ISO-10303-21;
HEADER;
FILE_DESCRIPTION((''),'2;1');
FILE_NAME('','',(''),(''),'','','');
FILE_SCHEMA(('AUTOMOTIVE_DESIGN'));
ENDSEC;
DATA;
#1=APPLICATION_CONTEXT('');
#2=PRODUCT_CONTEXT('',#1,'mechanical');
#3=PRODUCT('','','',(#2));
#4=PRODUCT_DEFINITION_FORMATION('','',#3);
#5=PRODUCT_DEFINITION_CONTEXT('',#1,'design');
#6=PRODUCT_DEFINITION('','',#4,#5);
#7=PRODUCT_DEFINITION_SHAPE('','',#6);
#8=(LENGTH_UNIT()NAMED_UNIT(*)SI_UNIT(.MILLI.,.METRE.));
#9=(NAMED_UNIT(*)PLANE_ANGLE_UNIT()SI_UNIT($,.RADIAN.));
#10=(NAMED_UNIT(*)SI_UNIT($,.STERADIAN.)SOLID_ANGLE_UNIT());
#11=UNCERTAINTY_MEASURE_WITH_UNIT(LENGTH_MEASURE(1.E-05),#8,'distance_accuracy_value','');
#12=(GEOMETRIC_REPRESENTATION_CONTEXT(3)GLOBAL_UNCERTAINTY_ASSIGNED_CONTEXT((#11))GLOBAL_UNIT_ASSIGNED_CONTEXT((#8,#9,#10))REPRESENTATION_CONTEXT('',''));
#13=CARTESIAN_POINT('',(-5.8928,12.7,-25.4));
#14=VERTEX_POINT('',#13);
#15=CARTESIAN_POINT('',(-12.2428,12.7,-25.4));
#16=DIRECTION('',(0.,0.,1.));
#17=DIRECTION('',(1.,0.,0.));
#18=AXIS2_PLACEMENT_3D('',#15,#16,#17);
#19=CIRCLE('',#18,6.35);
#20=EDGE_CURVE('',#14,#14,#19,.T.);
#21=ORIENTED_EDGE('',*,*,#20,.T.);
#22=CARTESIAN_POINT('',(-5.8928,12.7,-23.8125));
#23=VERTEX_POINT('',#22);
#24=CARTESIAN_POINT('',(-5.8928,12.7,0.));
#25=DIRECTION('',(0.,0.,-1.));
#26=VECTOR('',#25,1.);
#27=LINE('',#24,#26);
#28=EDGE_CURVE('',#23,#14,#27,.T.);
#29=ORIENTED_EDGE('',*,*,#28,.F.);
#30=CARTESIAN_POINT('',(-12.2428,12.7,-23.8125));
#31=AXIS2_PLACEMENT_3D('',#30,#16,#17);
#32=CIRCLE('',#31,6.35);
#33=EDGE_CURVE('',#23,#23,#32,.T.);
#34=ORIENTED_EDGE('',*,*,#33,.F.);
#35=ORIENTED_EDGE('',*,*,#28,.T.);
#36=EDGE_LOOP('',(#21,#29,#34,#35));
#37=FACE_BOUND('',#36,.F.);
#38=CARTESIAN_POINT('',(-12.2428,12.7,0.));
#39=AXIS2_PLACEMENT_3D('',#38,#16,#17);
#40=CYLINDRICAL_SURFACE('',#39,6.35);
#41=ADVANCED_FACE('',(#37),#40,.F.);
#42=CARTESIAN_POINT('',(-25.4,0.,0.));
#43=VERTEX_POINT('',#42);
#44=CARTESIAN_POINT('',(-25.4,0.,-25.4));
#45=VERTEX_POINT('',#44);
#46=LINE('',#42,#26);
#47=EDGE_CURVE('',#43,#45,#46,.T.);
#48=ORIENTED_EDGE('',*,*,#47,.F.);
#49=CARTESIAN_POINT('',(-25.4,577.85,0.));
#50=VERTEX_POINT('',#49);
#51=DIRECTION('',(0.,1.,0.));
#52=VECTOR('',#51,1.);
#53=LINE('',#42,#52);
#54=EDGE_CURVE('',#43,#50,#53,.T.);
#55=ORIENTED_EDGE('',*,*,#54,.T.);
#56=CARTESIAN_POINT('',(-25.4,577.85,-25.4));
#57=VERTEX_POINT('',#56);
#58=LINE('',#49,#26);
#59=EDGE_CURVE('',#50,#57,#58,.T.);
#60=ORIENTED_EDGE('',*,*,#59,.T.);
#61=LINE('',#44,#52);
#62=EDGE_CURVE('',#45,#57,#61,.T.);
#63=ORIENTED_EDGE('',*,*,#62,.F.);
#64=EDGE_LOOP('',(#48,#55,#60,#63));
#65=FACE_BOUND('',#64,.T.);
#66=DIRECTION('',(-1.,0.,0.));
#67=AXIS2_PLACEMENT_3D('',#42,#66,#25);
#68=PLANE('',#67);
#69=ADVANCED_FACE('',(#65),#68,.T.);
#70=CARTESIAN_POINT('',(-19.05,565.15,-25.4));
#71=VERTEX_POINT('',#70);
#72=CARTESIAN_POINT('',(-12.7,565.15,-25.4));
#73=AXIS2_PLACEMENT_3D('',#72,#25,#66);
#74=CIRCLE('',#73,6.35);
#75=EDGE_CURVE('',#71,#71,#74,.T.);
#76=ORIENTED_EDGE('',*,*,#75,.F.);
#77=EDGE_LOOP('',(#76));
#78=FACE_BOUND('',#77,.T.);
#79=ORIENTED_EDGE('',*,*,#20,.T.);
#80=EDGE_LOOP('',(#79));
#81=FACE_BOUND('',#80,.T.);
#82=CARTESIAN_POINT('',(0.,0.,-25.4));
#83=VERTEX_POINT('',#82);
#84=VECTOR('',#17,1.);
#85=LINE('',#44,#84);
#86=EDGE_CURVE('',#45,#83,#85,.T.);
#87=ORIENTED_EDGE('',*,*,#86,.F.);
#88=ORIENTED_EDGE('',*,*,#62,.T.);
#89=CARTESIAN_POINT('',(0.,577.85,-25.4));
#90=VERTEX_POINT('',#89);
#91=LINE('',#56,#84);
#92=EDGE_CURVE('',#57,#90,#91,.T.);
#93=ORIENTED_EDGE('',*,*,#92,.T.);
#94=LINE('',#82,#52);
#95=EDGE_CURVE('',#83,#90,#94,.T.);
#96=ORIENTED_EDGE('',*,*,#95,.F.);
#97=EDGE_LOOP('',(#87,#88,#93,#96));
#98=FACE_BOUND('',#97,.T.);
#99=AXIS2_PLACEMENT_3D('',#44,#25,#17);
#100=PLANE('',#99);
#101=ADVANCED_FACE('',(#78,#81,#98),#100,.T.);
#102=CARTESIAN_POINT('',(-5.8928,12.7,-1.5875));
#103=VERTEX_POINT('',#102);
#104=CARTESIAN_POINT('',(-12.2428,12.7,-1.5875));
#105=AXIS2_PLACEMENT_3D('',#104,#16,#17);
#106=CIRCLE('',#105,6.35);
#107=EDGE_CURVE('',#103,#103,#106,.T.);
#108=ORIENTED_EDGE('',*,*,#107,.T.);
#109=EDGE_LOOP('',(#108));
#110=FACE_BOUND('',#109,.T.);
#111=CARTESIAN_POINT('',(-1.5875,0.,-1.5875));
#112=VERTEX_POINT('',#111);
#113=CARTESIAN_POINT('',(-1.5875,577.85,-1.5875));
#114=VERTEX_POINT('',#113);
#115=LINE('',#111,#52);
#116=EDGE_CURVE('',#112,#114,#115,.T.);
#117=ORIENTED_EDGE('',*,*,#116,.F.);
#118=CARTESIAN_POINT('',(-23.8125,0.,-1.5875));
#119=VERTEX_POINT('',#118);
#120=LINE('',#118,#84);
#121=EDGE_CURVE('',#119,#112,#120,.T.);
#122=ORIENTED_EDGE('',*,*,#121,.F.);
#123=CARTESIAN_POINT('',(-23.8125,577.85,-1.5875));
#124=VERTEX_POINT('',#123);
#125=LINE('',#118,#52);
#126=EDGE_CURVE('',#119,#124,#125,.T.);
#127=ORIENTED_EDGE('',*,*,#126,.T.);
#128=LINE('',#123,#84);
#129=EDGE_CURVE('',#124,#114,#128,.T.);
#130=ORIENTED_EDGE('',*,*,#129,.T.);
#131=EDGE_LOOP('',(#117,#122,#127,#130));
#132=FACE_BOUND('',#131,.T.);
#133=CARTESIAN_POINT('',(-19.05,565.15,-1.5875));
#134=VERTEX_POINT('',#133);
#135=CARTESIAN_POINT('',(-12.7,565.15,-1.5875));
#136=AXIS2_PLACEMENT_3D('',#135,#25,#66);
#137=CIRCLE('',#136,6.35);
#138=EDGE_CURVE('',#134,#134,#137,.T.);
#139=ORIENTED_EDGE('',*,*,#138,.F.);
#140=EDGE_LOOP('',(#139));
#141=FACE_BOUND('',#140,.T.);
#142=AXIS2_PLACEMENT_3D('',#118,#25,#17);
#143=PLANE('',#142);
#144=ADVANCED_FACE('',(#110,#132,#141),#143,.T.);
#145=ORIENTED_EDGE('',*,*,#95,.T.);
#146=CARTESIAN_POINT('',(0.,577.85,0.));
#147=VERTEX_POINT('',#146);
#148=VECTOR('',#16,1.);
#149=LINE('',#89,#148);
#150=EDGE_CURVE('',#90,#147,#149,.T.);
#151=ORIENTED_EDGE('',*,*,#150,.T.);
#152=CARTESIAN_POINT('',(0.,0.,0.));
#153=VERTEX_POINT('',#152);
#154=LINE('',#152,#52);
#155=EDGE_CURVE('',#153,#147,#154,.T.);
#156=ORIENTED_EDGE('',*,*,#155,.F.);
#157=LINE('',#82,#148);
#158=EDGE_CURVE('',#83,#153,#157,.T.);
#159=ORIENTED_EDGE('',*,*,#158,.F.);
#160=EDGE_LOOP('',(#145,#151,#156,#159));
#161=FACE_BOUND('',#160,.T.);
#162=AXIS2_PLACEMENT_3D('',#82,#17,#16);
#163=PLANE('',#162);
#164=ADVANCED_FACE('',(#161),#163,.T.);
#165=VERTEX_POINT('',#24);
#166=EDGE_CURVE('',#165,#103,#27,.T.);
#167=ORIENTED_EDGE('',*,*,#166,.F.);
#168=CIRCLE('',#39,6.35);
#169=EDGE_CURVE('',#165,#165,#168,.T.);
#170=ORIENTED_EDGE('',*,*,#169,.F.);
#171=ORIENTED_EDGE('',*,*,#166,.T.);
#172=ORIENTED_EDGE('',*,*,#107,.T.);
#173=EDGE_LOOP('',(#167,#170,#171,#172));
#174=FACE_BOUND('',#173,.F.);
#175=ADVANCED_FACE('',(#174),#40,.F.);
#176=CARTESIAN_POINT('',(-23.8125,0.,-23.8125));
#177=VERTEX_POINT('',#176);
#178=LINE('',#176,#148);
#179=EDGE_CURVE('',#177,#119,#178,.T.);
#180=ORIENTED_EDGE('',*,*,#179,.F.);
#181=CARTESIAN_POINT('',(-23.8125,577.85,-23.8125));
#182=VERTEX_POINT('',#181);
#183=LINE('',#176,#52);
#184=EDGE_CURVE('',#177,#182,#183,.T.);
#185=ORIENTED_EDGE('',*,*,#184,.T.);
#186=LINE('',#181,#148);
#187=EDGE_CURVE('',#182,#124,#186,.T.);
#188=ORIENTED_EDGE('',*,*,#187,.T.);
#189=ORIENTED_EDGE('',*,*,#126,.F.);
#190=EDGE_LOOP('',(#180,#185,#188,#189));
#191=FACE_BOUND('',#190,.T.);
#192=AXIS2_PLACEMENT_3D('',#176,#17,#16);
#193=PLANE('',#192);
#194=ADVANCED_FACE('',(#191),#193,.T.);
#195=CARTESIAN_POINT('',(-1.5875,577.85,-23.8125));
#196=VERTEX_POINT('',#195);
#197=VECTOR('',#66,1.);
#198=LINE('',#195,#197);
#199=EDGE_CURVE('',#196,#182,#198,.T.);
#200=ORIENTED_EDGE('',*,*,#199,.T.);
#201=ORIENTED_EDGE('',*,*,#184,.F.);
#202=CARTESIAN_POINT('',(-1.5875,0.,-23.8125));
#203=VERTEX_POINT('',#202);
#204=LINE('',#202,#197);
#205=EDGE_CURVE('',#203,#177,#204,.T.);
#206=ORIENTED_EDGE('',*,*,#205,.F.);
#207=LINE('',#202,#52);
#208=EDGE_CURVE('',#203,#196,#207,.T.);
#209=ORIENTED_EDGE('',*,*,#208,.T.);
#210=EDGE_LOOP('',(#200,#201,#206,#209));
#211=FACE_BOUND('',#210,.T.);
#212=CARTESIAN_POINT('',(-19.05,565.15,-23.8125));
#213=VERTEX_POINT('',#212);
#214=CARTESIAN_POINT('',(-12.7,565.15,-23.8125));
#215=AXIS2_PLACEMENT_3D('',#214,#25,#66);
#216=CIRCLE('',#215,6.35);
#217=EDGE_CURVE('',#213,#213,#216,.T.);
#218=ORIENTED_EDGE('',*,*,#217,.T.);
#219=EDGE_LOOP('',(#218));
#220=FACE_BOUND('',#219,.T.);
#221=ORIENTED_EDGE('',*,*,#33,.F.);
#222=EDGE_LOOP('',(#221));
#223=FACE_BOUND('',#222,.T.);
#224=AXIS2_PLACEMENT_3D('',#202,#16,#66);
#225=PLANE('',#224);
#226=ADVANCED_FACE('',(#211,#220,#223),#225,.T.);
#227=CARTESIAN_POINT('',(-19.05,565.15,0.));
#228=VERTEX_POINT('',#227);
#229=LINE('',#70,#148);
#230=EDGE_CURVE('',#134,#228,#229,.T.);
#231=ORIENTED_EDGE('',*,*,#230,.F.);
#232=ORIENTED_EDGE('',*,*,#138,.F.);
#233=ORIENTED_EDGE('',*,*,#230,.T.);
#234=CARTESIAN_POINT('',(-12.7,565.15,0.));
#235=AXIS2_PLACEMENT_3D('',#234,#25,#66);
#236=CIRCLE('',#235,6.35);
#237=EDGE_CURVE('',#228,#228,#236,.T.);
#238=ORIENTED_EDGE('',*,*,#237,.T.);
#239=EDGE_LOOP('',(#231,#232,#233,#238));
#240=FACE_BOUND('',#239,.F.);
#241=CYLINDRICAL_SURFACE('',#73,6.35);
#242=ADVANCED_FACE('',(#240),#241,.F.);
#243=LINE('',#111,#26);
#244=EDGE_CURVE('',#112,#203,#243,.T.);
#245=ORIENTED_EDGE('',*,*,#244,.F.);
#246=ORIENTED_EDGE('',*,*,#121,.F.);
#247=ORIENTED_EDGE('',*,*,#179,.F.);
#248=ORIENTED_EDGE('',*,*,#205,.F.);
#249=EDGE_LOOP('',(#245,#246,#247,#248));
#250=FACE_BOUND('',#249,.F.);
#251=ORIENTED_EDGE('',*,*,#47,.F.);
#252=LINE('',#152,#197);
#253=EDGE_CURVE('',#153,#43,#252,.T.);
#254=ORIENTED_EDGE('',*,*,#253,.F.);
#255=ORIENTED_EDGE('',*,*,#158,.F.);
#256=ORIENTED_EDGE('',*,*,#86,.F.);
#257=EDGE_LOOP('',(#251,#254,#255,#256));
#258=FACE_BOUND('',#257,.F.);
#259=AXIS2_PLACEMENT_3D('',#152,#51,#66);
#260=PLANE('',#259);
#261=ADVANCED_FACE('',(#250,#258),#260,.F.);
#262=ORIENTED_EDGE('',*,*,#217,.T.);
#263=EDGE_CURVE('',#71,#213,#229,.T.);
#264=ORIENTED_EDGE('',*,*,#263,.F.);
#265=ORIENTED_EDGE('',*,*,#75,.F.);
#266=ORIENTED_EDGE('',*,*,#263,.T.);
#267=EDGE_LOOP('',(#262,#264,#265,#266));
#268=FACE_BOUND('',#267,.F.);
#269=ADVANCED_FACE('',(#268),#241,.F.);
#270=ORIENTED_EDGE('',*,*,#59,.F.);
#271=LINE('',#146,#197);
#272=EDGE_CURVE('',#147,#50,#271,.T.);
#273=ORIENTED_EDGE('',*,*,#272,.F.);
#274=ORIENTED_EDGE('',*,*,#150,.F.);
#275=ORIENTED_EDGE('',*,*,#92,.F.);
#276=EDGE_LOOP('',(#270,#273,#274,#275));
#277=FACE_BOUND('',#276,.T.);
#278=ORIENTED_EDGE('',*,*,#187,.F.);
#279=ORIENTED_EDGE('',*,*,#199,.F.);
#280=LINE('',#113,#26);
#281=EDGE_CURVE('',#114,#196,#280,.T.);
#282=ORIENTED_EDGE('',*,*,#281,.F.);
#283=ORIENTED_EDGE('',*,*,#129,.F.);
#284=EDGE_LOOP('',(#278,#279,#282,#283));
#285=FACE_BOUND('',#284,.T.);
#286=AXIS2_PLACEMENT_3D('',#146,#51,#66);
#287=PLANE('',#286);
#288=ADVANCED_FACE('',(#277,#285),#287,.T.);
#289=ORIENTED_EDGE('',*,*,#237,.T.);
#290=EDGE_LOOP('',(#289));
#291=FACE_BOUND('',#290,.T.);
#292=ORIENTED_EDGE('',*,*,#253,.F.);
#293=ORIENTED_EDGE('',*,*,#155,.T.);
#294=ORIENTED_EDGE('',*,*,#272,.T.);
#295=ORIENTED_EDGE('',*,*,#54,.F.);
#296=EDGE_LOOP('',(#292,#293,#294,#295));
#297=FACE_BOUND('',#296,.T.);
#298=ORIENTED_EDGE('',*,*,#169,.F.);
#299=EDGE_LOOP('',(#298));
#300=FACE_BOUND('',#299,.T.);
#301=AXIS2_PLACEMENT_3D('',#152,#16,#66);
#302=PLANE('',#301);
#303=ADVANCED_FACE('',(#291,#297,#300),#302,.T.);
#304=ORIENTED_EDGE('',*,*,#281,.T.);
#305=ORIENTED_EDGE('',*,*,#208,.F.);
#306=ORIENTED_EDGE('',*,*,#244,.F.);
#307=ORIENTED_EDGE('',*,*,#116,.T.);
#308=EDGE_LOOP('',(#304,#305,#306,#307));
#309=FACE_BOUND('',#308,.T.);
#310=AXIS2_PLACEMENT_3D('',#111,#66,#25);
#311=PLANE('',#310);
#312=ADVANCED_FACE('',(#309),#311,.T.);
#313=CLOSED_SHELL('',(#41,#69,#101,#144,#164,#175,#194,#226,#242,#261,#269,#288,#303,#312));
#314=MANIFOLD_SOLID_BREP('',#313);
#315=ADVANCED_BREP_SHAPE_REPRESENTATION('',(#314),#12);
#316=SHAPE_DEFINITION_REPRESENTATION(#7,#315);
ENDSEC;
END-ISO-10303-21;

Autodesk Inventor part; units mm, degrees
ref_plane "YZ Plane" through (0, 0, 0) normal (1, 0, 0) x (0, 1, 0)
ref_plane "XZ Plane" through (0, 0, 0) normal (0, 1, 0) x (-1, 0, 0)
ref_plane "XY Plane" through (0, 0, 0) normal (0, 0, 1) x (1, 0, 0)
sketch "Sketch1" plane through (0, 0, 0) normal (0, 1, 0) x (-1, 0, 0)
  line L0 (0, 0) -> (25.4, 0)
  line L1 (25.4, 0) -> (25.4, -25.4)
  line L2 (25.4, -25.4) -> (0, -25.4)
  line L3 (0, -25.4) -> (0, 0)
  line L4 (23.8125, -23.8125) -> (23.8125, -1.5875)
  line L5 (23.8125, -1.5875) -> (1.5875, -1.5875)
  line L6 (1.5875, -1.5875) -> (1.5875, -23.8125)
  line L7 (1.5875, -23.8125) -> (23.8125, -23.8125)
  dimension "d0" = 25.4
  dimension "d1" = 25.4
  dimension "d2" = 1.5875
extrude "Extrusion1" add sketch "Sketch1" along normal blind 577.85
sketch "Sketch2" plane through (0, 0, -25.4) normal (0, 0, -1) x (-1, 0, 0)
  circle A0 centre (12.7, 565.15) radius 6.35
  line L0 (0, 577.85) -> (25.4, 577.85) projected
  point P0 (0, 0)
  dimension "d5" = 12.7
  dimension "d6" = 12.7
extrude "Extrusion2" cut sketch "Sketch2" against normal blind 25.4
sketch "Sketch4" plane through (-25.4, 0, 0) normal (0, 0, 1) x (1, 0, 0)
  circle A0 centre (13.1572, 12.7) radius 6.35
  line L0 (0, 0) -> (0, 577.85) projected
  line L1 (25.4, 0) -> (0, 0) projected
  dimension "d14" = 12.7
  dimension "d15" = 13.1572
  dimension "d16" = 12.7
extrude "Extrusion4" cut sketch "Sketch4" against normal blind 25.4
properties part number "AP 6"
